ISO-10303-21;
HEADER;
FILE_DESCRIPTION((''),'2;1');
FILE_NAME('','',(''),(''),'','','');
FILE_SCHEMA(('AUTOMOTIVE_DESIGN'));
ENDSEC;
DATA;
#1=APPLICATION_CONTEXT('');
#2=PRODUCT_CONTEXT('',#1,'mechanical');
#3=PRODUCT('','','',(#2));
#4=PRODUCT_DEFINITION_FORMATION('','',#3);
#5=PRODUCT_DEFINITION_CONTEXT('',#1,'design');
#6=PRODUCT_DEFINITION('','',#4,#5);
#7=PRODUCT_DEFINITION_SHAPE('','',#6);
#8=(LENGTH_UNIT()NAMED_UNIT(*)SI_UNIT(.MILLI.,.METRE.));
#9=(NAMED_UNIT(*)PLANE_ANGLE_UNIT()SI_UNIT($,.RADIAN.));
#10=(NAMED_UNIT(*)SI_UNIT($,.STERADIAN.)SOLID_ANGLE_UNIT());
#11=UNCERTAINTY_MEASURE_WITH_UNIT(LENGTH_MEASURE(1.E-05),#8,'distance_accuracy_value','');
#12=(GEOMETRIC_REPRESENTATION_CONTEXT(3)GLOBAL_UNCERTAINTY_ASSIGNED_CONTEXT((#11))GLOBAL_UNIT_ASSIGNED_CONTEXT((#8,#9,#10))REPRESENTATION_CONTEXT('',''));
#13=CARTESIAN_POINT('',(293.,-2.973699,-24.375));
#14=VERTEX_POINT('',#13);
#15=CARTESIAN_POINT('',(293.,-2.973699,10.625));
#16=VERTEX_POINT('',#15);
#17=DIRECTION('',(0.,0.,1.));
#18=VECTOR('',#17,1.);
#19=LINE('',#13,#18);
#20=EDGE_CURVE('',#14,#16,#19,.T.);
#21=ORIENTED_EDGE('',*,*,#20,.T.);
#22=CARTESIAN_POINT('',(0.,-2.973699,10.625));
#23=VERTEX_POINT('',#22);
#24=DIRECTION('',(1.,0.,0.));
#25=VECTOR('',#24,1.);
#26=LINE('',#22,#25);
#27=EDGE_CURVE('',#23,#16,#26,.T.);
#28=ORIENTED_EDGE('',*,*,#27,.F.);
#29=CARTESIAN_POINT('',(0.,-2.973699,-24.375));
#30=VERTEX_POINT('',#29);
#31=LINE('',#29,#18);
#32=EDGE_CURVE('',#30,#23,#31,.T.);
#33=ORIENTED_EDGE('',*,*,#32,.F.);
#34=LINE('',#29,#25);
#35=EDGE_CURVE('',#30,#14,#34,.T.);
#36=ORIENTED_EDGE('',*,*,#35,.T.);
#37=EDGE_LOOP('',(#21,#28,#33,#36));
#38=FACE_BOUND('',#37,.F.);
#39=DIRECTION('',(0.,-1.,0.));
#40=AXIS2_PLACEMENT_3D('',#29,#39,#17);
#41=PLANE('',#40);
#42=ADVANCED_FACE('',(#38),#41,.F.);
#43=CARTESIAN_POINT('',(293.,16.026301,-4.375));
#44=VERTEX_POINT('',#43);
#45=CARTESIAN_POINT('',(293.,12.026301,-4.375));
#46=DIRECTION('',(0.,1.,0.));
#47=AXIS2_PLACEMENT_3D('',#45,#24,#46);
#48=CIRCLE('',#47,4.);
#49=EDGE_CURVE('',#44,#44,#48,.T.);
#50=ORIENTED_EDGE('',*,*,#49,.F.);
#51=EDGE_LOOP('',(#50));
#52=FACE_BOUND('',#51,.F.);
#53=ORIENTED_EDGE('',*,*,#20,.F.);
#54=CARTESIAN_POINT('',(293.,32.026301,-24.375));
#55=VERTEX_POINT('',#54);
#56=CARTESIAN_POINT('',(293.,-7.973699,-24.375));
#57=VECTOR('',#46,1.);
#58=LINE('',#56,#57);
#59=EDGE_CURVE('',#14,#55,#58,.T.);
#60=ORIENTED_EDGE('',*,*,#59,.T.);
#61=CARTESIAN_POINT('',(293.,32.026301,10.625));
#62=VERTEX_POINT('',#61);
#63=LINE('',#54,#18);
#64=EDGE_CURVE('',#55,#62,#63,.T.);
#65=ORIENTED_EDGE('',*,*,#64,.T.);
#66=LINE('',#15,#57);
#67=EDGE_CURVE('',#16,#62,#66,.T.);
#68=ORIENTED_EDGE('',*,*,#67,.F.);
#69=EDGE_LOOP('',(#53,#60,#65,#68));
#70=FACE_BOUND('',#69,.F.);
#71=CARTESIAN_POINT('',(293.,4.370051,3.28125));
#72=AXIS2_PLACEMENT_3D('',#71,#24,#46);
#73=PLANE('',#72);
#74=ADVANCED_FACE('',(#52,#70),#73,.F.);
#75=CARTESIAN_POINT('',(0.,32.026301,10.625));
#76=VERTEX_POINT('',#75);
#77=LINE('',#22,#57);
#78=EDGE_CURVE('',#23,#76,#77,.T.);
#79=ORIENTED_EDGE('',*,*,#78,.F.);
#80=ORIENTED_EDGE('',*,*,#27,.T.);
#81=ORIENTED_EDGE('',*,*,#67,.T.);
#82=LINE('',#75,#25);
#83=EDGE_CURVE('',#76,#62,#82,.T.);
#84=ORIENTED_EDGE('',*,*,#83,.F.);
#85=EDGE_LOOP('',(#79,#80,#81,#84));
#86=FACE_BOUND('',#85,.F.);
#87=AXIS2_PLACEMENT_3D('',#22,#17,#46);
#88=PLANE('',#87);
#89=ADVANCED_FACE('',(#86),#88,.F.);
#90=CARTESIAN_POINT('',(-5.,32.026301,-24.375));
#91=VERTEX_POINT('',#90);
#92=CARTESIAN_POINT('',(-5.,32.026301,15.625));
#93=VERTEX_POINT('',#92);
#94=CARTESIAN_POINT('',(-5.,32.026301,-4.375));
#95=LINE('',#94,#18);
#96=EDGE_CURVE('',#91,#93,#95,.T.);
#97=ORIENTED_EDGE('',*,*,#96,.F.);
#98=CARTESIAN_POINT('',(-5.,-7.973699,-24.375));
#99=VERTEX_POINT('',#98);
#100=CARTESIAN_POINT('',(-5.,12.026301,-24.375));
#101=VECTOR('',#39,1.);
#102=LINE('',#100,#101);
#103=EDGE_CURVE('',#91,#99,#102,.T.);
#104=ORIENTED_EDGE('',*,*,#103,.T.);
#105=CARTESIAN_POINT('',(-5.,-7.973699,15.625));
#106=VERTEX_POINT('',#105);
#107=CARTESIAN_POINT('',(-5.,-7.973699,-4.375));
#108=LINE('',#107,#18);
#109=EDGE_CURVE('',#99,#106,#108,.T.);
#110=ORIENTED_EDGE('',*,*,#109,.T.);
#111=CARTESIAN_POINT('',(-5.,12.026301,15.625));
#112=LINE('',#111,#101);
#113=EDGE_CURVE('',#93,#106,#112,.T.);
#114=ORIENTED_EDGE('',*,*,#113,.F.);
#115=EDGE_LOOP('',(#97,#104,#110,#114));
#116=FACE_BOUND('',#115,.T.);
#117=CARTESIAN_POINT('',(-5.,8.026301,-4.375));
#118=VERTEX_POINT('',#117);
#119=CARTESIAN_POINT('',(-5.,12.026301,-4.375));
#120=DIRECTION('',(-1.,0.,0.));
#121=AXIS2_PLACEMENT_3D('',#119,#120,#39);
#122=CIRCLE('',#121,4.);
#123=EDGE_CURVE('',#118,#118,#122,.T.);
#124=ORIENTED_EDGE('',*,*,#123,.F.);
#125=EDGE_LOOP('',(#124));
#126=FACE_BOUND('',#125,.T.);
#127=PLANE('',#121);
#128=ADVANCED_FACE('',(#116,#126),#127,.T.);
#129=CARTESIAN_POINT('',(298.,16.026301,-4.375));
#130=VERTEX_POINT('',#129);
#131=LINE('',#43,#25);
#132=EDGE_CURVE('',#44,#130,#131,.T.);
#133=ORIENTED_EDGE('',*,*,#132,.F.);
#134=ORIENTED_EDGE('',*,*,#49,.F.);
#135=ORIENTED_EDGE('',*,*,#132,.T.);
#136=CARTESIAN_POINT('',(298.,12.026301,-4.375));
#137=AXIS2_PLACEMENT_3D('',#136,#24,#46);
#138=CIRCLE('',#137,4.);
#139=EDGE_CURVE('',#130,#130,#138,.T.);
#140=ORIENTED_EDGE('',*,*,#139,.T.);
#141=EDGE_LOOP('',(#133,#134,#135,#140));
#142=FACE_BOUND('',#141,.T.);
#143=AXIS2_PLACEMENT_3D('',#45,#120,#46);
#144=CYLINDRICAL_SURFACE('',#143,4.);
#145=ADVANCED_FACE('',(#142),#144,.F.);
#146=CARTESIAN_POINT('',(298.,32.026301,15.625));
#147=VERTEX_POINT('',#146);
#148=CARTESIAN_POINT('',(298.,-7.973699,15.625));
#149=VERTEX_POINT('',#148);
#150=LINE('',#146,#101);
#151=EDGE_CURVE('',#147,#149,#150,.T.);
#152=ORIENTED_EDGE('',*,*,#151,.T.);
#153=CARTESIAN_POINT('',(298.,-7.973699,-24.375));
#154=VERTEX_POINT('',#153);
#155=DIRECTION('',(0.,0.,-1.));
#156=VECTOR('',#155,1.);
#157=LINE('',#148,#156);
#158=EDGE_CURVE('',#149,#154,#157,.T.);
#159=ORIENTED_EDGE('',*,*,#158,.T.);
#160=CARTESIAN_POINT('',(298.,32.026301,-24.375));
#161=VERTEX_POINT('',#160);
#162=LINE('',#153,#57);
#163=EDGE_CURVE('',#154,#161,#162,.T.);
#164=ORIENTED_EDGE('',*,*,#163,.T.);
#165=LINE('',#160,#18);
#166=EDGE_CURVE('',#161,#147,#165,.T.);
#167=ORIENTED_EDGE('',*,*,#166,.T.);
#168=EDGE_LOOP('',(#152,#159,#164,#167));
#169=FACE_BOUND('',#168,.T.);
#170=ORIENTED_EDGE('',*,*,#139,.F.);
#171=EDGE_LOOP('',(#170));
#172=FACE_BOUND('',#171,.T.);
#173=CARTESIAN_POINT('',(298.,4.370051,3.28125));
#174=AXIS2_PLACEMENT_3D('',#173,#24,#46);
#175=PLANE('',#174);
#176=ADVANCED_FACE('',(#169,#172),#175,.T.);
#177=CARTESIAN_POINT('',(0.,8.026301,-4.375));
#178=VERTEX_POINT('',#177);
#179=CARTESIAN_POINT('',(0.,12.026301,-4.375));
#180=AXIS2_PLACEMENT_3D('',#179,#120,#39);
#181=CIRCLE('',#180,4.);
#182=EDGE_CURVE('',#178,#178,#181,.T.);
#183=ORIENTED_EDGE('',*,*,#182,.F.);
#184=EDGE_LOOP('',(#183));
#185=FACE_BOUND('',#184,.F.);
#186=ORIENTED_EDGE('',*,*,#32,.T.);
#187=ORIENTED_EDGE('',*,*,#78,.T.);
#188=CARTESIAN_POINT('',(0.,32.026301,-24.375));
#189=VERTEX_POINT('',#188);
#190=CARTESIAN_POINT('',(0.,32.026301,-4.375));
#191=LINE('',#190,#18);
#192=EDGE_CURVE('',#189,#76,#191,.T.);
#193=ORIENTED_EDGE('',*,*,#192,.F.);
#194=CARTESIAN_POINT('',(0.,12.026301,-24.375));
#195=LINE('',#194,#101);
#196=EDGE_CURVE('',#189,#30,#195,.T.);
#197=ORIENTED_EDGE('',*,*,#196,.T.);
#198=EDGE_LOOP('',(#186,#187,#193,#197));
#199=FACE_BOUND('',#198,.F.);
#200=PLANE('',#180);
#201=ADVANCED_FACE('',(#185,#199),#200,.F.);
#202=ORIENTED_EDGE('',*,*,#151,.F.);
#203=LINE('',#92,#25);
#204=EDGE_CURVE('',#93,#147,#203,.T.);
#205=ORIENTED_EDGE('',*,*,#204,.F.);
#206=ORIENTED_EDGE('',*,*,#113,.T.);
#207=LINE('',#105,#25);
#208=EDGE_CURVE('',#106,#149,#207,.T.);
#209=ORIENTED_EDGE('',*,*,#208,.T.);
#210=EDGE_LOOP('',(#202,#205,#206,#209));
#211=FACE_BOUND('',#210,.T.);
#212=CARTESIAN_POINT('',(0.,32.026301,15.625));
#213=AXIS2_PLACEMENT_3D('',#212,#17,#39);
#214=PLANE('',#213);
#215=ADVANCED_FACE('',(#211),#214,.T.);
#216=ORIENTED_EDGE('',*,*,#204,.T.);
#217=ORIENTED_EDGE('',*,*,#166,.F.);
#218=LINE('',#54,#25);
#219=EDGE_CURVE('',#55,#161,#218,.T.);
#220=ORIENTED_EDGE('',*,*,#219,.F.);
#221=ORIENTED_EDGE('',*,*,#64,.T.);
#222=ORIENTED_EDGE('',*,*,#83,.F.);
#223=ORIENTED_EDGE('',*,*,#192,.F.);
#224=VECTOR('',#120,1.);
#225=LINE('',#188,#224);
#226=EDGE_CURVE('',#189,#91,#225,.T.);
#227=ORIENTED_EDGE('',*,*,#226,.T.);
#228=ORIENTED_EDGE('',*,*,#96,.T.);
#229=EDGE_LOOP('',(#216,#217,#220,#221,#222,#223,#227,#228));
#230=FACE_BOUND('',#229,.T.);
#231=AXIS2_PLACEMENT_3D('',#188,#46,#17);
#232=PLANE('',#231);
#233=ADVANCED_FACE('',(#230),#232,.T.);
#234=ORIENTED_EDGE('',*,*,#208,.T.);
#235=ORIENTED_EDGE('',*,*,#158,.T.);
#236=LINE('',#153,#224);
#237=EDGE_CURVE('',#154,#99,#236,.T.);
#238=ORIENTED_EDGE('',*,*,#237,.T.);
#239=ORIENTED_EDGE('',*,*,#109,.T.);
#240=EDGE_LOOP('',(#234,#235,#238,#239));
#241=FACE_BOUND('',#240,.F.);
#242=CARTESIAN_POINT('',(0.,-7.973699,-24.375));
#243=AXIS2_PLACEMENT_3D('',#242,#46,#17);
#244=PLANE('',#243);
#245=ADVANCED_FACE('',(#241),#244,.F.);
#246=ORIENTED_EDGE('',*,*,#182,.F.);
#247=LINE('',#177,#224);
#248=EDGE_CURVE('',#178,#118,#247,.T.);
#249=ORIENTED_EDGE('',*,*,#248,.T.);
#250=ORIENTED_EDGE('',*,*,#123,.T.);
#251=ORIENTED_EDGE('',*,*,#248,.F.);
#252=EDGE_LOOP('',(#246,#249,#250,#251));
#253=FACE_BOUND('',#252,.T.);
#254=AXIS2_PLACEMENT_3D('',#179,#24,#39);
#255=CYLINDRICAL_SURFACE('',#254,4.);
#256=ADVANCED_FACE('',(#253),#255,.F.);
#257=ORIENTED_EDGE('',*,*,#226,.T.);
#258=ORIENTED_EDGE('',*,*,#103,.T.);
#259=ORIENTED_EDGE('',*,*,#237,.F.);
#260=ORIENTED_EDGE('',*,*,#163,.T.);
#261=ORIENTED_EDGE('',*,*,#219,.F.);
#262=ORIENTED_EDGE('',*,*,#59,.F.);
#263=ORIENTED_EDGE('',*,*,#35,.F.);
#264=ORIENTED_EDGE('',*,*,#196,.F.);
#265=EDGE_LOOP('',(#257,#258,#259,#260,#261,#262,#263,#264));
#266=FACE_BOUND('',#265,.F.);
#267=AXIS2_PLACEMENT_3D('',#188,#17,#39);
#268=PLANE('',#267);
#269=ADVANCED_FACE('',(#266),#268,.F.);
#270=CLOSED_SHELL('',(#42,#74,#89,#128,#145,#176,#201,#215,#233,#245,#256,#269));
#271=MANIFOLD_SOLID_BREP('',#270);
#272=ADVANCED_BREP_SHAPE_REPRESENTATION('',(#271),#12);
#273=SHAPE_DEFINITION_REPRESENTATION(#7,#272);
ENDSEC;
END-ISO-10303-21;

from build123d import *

# Parameters (mm, degrees)
F1_DEPTH = 293
F2_W     = 35
F2_H     = 35
F2_R     = 4
F3_DEPTH = 5
F4_W     = 40
F4_H     = 40
F4_R     = 4
F5_DEPTH = 5


with BuildPart() as f1:
    # F0 (on Right) → F1 (new body)
    with BuildSketch(Plane.YZ):
        Polygon((-7.9736986477, 15.6249996814), (-7.9736986477, -24.3750003186), (-2.9736986477, -24.3750003186), (-2.9736986477, 10.6249996814), (32.0263013523, 10.6249996814), (32.0263013523, 15.6249996814), align=None)
    extrude(amount=F1_DEPTH)

    # F2 (on face) → F3 (join)
    with BuildSketch(Plane.YZ.offset(293)):
        Polygon((-7.9736986477, 15.6249996814), (-7.9736986477, -24.3750003186), (-2.9736986477, -24.3750003186), (-2.9736986477, 10.6249996814), (32.0263013523, 10.6249996814), (32.0263013523, 15.6249996814), align=None)
        with Locations((14.5263013523, -6.8750003186)):
            Rectangle(F2_W, F2_H)
        with Locations((12.0263013523, -4.3750003186)):
            Circle(F2_R, mode=Mode.SUBTRACT)
    extrude(amount=F3_DEPTH)

    # F4 (on face) → F5 (join)
    with BuildSketch(Plane(origin=(0, 0, 0), x_dir=(0, -1, 0), z_dir=(-1, 0, 0))):
        with Locations((-12.0263013523, -4.3750003186)):
            Rectangle(F4_W, F4_H)
        with Locations((-12.0263013523, -4.3750003186)):
            Circle(F4_R, mode=Mode.SUBTRACT)
    extrude(amount=F5_DEPTH)


solid = f1.part
